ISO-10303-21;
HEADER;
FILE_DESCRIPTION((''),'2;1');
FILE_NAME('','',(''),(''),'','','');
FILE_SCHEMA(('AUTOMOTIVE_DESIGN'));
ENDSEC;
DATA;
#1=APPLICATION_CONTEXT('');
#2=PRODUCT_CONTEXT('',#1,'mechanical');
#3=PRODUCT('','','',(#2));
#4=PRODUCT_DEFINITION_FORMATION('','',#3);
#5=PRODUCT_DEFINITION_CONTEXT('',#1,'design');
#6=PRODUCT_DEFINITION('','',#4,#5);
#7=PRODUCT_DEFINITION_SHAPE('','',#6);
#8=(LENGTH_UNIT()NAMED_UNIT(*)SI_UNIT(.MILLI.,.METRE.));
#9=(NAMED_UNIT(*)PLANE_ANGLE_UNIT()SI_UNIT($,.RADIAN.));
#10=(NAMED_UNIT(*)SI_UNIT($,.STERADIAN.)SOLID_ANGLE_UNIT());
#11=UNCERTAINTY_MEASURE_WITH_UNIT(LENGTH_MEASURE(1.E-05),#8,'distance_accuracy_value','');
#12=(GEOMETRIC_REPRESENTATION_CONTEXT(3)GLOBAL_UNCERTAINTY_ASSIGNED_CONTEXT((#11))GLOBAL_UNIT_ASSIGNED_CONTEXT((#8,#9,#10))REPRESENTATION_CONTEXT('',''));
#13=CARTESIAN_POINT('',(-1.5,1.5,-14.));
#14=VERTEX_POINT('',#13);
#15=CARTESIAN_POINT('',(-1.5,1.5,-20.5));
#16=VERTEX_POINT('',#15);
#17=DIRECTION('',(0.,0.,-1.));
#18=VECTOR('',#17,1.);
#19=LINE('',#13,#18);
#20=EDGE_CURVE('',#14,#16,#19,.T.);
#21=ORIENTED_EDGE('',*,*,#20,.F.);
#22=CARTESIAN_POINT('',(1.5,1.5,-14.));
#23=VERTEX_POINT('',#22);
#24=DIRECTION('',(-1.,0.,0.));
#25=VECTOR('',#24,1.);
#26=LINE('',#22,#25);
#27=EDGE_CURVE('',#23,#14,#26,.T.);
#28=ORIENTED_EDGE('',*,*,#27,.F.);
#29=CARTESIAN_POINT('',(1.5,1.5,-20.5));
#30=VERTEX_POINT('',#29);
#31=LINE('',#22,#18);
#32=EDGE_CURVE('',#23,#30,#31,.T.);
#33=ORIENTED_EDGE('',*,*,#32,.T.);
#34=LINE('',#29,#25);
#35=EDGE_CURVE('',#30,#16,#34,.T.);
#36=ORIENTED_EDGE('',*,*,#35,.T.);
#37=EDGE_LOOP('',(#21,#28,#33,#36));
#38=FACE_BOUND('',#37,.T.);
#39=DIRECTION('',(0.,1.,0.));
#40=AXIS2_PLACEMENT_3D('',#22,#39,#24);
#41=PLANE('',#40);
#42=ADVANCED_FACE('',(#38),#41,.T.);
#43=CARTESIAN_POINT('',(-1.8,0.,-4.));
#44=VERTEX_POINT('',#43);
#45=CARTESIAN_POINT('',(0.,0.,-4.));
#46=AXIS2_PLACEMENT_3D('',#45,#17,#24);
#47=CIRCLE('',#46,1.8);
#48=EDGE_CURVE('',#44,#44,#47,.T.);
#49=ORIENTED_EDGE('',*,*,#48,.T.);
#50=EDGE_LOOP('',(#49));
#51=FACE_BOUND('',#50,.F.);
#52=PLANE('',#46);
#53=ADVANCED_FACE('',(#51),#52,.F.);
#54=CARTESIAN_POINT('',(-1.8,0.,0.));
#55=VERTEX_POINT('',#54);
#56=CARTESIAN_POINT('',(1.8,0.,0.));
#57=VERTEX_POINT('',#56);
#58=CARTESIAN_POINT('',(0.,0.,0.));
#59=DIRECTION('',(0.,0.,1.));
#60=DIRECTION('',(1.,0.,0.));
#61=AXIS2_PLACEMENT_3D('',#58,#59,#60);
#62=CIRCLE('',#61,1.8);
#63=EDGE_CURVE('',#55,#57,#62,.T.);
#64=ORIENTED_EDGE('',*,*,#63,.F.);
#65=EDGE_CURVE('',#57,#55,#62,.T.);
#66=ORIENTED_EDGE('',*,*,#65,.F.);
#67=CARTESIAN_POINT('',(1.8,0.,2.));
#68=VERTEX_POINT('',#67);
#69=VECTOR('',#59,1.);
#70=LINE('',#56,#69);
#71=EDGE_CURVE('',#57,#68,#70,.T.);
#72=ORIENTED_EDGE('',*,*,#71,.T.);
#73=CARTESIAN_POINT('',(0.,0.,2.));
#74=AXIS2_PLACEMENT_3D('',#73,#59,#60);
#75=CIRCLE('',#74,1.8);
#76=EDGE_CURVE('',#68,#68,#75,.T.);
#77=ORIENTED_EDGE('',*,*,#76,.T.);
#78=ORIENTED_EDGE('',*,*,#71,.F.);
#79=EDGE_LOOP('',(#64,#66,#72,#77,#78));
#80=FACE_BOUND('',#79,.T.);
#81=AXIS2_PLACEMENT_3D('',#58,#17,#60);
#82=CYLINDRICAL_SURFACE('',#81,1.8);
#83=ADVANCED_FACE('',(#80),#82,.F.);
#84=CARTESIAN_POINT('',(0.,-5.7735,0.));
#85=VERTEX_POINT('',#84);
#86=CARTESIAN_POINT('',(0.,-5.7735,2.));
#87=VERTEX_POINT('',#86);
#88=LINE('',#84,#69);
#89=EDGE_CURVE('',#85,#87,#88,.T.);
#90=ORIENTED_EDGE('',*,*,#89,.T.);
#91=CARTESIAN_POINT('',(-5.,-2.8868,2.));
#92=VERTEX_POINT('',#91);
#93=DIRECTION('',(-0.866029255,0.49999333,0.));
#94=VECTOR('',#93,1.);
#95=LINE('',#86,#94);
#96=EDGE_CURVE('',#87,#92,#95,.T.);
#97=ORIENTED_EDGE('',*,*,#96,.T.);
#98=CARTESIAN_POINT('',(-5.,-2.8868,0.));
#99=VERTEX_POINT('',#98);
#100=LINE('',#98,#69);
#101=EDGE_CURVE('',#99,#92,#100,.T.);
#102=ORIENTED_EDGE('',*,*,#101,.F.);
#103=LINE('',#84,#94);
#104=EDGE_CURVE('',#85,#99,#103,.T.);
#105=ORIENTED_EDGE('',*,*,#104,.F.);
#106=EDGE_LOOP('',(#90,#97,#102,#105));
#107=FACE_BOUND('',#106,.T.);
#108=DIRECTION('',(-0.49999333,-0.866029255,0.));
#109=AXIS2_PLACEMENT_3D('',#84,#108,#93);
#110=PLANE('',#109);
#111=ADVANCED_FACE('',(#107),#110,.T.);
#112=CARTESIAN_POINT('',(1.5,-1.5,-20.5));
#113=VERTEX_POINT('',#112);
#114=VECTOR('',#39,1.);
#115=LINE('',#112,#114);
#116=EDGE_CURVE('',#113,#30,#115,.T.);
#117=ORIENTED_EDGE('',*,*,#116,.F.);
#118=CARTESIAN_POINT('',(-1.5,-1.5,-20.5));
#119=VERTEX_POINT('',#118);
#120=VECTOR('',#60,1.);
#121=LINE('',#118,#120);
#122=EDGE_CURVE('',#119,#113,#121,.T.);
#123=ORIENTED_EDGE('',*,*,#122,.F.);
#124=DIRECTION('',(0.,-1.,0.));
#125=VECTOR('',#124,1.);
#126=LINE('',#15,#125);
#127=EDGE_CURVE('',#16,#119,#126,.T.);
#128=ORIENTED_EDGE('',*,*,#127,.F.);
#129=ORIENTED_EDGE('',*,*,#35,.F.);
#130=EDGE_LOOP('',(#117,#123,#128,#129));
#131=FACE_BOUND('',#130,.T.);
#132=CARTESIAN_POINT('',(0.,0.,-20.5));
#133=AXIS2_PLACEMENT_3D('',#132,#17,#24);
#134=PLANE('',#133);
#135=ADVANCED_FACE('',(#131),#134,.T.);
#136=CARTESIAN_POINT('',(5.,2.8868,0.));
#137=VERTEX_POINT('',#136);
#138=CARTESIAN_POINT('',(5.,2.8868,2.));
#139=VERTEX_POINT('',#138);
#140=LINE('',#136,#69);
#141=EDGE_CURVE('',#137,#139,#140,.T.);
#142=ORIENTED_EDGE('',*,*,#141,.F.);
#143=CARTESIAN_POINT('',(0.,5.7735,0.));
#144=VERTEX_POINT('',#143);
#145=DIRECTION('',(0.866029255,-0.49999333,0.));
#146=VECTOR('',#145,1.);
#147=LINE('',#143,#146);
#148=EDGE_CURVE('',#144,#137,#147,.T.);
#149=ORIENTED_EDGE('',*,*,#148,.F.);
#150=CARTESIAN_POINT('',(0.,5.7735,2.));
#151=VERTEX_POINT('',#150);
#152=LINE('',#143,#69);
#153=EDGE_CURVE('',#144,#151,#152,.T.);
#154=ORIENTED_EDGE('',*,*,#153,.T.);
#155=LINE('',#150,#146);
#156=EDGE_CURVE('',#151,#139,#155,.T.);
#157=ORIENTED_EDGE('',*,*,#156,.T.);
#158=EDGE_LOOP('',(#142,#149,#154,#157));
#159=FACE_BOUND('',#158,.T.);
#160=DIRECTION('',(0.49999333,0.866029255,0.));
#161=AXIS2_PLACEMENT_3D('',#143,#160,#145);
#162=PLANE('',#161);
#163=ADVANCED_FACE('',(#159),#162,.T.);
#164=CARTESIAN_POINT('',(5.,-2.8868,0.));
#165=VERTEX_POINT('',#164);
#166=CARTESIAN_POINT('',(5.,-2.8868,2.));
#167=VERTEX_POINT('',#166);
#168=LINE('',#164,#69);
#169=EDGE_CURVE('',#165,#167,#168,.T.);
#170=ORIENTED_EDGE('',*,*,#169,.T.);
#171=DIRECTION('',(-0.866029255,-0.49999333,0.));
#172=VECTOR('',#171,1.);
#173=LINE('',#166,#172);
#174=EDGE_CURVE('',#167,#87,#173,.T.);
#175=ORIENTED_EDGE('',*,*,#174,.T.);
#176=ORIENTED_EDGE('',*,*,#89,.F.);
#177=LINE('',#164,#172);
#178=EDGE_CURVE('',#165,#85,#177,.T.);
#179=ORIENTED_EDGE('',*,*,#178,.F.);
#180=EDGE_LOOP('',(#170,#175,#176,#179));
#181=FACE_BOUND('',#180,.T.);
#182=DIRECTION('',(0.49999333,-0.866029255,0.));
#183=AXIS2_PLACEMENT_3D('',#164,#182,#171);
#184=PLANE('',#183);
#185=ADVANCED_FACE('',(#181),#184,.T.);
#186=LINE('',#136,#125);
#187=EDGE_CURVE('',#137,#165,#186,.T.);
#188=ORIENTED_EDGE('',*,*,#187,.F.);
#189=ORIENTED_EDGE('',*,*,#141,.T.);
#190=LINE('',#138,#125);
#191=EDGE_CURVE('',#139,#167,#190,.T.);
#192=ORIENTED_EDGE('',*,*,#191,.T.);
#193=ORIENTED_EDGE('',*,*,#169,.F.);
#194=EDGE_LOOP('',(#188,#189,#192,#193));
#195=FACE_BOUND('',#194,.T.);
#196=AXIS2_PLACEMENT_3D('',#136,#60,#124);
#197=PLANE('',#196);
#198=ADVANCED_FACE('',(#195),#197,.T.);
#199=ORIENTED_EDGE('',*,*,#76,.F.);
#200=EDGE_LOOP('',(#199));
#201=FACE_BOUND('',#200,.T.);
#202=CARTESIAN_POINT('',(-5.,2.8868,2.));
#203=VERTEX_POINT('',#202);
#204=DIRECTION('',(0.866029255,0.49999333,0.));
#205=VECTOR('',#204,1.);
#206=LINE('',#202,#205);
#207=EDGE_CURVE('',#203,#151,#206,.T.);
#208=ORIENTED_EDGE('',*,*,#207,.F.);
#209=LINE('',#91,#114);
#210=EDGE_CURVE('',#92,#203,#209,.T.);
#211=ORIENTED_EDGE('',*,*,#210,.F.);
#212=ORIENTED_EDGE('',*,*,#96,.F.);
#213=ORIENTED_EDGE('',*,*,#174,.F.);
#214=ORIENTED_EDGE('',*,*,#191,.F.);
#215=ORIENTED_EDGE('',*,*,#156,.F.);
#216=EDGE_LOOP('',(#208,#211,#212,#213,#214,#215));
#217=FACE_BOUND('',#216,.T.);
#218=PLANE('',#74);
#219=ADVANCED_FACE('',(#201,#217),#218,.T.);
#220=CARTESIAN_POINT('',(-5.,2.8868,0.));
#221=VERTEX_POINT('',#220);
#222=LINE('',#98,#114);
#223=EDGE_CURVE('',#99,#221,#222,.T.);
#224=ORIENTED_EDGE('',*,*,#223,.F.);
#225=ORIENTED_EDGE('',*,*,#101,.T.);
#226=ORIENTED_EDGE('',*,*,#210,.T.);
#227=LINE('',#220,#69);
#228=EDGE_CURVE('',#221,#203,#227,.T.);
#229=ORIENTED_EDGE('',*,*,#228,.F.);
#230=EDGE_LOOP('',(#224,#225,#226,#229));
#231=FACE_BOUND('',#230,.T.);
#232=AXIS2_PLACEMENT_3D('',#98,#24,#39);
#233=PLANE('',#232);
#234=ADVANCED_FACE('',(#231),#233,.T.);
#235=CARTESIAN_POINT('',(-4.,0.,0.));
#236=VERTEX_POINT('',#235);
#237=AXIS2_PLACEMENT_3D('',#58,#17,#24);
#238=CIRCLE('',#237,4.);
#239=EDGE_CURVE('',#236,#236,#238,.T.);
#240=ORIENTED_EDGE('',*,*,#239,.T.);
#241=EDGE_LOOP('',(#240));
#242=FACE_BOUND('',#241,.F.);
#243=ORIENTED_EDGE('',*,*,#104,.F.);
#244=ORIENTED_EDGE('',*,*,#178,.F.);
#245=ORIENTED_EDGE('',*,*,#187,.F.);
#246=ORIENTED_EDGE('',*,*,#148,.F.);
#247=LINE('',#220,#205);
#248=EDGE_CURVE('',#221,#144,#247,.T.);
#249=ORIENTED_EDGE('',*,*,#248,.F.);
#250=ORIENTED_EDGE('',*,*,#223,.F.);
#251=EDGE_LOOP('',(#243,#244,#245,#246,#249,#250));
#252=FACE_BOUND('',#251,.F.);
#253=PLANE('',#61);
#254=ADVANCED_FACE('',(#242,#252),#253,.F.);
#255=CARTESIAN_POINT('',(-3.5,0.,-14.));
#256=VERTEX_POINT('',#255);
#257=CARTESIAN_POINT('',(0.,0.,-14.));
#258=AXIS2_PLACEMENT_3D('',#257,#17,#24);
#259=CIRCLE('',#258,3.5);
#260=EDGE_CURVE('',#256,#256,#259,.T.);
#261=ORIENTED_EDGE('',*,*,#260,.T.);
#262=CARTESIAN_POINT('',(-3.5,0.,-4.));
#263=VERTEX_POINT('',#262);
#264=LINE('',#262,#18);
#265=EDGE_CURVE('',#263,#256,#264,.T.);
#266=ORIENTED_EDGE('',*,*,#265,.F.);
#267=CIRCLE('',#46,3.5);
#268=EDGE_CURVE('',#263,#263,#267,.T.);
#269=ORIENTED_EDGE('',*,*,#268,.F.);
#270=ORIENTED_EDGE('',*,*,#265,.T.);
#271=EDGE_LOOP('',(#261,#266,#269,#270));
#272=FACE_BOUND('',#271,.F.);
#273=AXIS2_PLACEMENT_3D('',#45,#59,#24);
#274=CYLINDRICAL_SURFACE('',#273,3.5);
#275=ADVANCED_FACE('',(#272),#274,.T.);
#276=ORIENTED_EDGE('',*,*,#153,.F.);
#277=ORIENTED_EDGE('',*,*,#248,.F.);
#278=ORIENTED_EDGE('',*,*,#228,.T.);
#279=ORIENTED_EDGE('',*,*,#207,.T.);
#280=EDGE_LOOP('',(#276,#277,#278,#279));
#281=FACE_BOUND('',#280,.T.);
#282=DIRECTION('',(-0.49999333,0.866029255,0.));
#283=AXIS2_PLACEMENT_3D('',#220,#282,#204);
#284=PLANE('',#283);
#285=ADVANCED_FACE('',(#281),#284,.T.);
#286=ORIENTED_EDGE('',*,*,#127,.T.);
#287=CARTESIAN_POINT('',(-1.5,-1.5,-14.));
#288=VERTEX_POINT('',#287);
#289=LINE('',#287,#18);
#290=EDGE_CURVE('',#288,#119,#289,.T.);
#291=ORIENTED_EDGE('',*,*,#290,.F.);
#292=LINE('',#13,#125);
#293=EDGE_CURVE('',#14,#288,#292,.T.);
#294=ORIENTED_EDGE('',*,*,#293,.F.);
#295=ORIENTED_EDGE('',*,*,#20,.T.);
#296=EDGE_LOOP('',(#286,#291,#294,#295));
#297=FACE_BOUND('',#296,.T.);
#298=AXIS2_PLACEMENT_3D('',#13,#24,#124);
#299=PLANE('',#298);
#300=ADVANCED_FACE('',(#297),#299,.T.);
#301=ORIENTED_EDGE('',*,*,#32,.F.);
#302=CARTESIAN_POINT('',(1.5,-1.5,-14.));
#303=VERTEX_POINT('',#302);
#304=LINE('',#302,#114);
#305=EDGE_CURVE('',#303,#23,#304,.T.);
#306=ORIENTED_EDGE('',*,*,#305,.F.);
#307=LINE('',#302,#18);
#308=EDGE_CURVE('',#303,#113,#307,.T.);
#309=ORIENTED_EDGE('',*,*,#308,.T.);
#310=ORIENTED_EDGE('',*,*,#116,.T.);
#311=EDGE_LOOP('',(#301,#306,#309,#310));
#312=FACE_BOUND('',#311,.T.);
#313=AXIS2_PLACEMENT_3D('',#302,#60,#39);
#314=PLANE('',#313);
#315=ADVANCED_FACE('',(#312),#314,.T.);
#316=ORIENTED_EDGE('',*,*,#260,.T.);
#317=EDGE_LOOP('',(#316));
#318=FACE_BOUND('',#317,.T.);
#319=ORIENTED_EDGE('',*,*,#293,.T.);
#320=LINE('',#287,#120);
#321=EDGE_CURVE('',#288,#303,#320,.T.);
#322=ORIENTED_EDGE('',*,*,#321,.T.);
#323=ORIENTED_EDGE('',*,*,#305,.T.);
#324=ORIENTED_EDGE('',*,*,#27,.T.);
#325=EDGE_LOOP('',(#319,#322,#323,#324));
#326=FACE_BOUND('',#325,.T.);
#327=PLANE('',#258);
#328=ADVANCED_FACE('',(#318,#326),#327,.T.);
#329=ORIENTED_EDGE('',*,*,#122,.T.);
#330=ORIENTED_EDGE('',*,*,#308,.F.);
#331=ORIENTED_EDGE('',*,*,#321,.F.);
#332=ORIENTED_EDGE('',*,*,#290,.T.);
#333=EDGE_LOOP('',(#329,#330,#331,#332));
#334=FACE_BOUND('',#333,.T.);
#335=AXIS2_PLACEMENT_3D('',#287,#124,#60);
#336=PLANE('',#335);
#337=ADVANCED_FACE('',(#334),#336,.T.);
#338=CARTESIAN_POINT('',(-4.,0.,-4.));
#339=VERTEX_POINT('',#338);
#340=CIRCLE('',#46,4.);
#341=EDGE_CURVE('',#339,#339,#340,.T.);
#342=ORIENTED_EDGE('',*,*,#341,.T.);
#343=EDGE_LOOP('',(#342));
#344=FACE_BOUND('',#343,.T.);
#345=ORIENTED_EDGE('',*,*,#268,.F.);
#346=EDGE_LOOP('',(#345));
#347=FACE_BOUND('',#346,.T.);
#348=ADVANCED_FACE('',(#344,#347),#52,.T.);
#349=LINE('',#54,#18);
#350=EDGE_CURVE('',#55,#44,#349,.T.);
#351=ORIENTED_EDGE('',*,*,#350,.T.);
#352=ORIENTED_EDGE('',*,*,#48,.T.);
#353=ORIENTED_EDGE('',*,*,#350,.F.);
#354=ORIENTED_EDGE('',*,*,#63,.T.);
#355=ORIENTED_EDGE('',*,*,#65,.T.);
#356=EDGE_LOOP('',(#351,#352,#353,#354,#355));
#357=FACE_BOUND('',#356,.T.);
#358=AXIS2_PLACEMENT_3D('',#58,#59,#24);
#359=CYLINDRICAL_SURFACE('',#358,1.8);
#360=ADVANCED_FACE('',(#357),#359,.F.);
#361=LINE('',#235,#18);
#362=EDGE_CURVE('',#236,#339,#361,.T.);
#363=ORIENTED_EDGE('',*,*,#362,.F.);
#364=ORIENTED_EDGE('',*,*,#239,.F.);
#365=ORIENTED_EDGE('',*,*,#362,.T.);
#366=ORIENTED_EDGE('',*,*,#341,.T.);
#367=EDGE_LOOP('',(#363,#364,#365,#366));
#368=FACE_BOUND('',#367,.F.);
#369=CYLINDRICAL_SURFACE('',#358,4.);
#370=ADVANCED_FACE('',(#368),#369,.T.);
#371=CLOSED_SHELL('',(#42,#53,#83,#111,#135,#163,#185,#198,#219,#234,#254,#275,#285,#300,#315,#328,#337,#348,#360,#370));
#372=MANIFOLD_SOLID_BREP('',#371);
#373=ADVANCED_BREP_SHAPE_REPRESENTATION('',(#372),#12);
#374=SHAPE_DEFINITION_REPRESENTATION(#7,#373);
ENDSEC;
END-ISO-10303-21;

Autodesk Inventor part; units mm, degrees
ref_plane "YZ Plane" through (0, 0, 0) normal (1, 0, 0) x (0, 1, 0)
ref_plane "XZ Plane" through (0, 0, 0) normal (0, 1, 0) x (-1, 0, 0)
ref_plane "XY Plane" through (0, 0, 0) normal (0, 0, 1) x (1, 0, 0)
sketch "スケッチ1" plane through (0, 0, 0) normal (0, 0, 1) x (1, 0, 0)
  line L0 (0, 5.7735) -> (5, 2.8868)
  line L1 (5, 2.8868) -> (5, -2.8868)
  line L2 (5, -2.8868) -> (0, -5.7735)
  line L3 (0, -5.7735) -> (-5, -2.8868)
  line L4 (-5, -2.8868) -> (-5, 2.8868)
  line L5 (-5, 2.8868) -> (0, 5.7735)
  circle A0 centre (0, 0) radius 1.8
  dimension "d0" = 10
  dimension "d1" = 3.6
extrude "押し出し1" add sketch "スケッチ1" along normal blind 2
sketch "スケッチ2" plane through (0, 0, 0) normal (0, 0, -1) x (-1, 0, 0)
  circle A0 centre (0, 0) radius 1.8
  circle A1 centre (0, 0) radius 4
  circle A2 centre (0, 0) radius 1.8 projected
  dimension "d4" = 8
extrude "押し出し2" add sketch "スケッチ2" along normal blind 4
sketch "スケッチ3" plane through (0, 0, -4) normal (0, 0, -1) x (-1, 0, 0)
  circle A0 centre (0, 0) radius 3.5
  circle A1 centre (0, 0) radius 1.8
  circle A2 centre (0, 0) radius 1.8 projected
  dimension "d7" = 7
extrude "押し出し3" add sketch "スケッチ3" along normal blind 10 contours A0 | A1
sketch "スケッチ4" plane through (0, 0, -14) normal (0, 0, -1) x (-1, 0, 0)
  line L0 (1.5, -1.5) -> (-1.5, -1.5)
  line L1 (-1.5, -1.5) -> (-1.5, 1.5)
  line L2 (-1.5, 1.5) -> (1.5, 1.5)
  line L3 (1.5, 1.5) -> (1.5, -1.5)
  line L4 (1.5, -1.5) -> (-1.5, 1.5) construction
  line L5 (-1.5, -1.5) -> (1.5, 1.5) construction
  point P0 (0, 0)
  dimension "d10" = 3
  dimension "d11" = 3
extrude "押し出し4" add sketch "スケッチ4" along normal blind 6.5
properties part number "MJ073H"
